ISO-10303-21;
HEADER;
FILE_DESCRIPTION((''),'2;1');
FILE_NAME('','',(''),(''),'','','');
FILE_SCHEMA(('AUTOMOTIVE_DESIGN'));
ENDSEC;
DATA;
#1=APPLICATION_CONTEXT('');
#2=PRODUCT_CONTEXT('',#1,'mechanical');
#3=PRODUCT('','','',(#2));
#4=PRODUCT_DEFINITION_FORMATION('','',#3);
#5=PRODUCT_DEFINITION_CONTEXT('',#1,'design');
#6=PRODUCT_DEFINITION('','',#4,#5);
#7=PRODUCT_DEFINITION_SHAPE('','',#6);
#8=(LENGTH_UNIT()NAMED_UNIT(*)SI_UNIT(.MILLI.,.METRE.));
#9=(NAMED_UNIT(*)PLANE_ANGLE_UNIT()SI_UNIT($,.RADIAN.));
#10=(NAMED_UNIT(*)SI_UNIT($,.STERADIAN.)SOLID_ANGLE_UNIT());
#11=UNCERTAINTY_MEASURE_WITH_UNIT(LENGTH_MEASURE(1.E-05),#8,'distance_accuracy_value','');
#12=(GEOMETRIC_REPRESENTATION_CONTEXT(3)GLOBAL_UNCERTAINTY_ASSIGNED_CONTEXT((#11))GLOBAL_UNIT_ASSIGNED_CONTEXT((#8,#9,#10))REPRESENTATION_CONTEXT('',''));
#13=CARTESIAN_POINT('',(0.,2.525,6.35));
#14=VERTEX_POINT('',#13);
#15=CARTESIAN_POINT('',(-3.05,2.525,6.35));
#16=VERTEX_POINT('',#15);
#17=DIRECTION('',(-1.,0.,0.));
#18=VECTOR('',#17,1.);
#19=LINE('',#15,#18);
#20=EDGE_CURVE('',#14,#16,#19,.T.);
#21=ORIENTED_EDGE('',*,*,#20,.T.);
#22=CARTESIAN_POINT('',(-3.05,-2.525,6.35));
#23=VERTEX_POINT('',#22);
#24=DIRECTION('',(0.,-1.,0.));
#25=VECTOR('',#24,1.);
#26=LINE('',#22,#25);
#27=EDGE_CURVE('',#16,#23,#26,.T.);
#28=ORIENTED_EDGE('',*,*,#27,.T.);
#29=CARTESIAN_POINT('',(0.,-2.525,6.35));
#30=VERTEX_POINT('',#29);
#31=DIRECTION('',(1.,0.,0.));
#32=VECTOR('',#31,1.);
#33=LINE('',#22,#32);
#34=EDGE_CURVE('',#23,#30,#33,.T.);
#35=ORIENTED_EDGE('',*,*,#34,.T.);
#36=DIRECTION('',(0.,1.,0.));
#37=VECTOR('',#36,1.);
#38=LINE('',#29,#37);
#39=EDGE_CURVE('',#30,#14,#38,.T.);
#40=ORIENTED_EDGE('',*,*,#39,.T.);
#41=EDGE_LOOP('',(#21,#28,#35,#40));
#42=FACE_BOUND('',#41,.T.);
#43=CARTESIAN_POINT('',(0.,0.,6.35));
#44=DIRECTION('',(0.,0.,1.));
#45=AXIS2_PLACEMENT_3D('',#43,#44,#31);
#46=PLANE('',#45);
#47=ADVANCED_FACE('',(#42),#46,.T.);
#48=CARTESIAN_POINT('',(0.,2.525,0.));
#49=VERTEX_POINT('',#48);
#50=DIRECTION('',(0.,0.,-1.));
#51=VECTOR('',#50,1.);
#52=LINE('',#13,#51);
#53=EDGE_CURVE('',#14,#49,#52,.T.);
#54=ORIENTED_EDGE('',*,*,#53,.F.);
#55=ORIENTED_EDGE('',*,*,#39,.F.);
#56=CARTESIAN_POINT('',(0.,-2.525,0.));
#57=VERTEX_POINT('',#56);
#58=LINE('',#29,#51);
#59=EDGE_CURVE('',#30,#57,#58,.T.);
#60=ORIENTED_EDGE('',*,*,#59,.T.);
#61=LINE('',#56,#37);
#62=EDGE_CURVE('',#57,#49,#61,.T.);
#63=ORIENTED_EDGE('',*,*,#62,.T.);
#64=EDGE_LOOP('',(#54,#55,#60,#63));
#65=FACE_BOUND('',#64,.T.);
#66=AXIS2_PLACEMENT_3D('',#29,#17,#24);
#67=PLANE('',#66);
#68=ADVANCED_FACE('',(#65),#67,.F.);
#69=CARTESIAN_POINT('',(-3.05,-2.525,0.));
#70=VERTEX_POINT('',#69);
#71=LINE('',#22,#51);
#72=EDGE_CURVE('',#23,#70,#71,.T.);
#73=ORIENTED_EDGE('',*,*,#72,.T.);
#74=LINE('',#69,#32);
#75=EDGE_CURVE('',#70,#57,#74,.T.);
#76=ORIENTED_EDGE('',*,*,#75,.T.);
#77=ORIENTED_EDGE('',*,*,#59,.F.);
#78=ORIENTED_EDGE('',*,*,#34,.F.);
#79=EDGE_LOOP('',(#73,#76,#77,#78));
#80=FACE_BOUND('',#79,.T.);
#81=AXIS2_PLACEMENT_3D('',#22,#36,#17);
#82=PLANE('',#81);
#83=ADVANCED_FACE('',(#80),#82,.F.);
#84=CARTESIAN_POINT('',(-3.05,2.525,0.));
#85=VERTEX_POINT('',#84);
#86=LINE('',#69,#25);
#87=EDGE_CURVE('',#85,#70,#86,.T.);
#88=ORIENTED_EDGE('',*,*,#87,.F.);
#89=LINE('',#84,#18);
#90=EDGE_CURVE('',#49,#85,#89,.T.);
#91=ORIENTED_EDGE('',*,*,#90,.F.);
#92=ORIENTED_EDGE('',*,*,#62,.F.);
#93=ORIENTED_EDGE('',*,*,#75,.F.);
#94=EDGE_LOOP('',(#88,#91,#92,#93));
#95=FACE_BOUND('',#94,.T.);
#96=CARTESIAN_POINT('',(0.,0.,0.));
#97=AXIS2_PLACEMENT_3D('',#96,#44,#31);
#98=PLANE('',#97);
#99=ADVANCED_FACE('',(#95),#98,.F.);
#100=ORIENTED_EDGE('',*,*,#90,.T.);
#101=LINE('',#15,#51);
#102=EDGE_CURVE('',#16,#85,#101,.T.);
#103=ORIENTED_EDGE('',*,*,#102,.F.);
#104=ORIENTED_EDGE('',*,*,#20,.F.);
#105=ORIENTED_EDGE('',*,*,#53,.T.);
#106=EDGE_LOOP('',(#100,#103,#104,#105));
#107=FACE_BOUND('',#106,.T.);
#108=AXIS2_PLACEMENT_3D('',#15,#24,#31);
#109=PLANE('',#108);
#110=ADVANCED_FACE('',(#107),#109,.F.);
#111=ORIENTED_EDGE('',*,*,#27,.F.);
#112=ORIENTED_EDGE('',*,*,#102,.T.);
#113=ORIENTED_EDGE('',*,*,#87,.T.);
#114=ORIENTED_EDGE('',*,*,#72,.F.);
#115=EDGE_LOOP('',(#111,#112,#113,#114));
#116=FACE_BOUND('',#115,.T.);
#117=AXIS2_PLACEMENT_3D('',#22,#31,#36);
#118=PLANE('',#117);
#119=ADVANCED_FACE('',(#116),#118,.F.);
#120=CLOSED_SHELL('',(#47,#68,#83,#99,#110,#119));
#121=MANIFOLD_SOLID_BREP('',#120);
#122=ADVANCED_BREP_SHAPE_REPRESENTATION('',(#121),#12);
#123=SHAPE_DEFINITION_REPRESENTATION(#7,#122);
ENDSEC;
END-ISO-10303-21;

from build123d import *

# Parameters (mm, degrees)
SKETCH_1_W      = 5.05
SKETCH_1_H      = 3.05
EXTRUDE_1_DEPTH = 6.35


with BuildPart() as part:
    # ｽｹｯﾁ1 → ﾎﾞｽ - 押し出し1 (new body)
    with BuildSketch(Plane(origin=(0, 0, 0), x_dir=(0, 1, 0), z_dir=(0, 0, 1))):
        with Locations((0, 1.525)):
            Rectangle(SKETCH_1_W, SKETCH_1_H)
    extrude(amount=EXTRUDE_1_DEPTH)


solid = part.part
